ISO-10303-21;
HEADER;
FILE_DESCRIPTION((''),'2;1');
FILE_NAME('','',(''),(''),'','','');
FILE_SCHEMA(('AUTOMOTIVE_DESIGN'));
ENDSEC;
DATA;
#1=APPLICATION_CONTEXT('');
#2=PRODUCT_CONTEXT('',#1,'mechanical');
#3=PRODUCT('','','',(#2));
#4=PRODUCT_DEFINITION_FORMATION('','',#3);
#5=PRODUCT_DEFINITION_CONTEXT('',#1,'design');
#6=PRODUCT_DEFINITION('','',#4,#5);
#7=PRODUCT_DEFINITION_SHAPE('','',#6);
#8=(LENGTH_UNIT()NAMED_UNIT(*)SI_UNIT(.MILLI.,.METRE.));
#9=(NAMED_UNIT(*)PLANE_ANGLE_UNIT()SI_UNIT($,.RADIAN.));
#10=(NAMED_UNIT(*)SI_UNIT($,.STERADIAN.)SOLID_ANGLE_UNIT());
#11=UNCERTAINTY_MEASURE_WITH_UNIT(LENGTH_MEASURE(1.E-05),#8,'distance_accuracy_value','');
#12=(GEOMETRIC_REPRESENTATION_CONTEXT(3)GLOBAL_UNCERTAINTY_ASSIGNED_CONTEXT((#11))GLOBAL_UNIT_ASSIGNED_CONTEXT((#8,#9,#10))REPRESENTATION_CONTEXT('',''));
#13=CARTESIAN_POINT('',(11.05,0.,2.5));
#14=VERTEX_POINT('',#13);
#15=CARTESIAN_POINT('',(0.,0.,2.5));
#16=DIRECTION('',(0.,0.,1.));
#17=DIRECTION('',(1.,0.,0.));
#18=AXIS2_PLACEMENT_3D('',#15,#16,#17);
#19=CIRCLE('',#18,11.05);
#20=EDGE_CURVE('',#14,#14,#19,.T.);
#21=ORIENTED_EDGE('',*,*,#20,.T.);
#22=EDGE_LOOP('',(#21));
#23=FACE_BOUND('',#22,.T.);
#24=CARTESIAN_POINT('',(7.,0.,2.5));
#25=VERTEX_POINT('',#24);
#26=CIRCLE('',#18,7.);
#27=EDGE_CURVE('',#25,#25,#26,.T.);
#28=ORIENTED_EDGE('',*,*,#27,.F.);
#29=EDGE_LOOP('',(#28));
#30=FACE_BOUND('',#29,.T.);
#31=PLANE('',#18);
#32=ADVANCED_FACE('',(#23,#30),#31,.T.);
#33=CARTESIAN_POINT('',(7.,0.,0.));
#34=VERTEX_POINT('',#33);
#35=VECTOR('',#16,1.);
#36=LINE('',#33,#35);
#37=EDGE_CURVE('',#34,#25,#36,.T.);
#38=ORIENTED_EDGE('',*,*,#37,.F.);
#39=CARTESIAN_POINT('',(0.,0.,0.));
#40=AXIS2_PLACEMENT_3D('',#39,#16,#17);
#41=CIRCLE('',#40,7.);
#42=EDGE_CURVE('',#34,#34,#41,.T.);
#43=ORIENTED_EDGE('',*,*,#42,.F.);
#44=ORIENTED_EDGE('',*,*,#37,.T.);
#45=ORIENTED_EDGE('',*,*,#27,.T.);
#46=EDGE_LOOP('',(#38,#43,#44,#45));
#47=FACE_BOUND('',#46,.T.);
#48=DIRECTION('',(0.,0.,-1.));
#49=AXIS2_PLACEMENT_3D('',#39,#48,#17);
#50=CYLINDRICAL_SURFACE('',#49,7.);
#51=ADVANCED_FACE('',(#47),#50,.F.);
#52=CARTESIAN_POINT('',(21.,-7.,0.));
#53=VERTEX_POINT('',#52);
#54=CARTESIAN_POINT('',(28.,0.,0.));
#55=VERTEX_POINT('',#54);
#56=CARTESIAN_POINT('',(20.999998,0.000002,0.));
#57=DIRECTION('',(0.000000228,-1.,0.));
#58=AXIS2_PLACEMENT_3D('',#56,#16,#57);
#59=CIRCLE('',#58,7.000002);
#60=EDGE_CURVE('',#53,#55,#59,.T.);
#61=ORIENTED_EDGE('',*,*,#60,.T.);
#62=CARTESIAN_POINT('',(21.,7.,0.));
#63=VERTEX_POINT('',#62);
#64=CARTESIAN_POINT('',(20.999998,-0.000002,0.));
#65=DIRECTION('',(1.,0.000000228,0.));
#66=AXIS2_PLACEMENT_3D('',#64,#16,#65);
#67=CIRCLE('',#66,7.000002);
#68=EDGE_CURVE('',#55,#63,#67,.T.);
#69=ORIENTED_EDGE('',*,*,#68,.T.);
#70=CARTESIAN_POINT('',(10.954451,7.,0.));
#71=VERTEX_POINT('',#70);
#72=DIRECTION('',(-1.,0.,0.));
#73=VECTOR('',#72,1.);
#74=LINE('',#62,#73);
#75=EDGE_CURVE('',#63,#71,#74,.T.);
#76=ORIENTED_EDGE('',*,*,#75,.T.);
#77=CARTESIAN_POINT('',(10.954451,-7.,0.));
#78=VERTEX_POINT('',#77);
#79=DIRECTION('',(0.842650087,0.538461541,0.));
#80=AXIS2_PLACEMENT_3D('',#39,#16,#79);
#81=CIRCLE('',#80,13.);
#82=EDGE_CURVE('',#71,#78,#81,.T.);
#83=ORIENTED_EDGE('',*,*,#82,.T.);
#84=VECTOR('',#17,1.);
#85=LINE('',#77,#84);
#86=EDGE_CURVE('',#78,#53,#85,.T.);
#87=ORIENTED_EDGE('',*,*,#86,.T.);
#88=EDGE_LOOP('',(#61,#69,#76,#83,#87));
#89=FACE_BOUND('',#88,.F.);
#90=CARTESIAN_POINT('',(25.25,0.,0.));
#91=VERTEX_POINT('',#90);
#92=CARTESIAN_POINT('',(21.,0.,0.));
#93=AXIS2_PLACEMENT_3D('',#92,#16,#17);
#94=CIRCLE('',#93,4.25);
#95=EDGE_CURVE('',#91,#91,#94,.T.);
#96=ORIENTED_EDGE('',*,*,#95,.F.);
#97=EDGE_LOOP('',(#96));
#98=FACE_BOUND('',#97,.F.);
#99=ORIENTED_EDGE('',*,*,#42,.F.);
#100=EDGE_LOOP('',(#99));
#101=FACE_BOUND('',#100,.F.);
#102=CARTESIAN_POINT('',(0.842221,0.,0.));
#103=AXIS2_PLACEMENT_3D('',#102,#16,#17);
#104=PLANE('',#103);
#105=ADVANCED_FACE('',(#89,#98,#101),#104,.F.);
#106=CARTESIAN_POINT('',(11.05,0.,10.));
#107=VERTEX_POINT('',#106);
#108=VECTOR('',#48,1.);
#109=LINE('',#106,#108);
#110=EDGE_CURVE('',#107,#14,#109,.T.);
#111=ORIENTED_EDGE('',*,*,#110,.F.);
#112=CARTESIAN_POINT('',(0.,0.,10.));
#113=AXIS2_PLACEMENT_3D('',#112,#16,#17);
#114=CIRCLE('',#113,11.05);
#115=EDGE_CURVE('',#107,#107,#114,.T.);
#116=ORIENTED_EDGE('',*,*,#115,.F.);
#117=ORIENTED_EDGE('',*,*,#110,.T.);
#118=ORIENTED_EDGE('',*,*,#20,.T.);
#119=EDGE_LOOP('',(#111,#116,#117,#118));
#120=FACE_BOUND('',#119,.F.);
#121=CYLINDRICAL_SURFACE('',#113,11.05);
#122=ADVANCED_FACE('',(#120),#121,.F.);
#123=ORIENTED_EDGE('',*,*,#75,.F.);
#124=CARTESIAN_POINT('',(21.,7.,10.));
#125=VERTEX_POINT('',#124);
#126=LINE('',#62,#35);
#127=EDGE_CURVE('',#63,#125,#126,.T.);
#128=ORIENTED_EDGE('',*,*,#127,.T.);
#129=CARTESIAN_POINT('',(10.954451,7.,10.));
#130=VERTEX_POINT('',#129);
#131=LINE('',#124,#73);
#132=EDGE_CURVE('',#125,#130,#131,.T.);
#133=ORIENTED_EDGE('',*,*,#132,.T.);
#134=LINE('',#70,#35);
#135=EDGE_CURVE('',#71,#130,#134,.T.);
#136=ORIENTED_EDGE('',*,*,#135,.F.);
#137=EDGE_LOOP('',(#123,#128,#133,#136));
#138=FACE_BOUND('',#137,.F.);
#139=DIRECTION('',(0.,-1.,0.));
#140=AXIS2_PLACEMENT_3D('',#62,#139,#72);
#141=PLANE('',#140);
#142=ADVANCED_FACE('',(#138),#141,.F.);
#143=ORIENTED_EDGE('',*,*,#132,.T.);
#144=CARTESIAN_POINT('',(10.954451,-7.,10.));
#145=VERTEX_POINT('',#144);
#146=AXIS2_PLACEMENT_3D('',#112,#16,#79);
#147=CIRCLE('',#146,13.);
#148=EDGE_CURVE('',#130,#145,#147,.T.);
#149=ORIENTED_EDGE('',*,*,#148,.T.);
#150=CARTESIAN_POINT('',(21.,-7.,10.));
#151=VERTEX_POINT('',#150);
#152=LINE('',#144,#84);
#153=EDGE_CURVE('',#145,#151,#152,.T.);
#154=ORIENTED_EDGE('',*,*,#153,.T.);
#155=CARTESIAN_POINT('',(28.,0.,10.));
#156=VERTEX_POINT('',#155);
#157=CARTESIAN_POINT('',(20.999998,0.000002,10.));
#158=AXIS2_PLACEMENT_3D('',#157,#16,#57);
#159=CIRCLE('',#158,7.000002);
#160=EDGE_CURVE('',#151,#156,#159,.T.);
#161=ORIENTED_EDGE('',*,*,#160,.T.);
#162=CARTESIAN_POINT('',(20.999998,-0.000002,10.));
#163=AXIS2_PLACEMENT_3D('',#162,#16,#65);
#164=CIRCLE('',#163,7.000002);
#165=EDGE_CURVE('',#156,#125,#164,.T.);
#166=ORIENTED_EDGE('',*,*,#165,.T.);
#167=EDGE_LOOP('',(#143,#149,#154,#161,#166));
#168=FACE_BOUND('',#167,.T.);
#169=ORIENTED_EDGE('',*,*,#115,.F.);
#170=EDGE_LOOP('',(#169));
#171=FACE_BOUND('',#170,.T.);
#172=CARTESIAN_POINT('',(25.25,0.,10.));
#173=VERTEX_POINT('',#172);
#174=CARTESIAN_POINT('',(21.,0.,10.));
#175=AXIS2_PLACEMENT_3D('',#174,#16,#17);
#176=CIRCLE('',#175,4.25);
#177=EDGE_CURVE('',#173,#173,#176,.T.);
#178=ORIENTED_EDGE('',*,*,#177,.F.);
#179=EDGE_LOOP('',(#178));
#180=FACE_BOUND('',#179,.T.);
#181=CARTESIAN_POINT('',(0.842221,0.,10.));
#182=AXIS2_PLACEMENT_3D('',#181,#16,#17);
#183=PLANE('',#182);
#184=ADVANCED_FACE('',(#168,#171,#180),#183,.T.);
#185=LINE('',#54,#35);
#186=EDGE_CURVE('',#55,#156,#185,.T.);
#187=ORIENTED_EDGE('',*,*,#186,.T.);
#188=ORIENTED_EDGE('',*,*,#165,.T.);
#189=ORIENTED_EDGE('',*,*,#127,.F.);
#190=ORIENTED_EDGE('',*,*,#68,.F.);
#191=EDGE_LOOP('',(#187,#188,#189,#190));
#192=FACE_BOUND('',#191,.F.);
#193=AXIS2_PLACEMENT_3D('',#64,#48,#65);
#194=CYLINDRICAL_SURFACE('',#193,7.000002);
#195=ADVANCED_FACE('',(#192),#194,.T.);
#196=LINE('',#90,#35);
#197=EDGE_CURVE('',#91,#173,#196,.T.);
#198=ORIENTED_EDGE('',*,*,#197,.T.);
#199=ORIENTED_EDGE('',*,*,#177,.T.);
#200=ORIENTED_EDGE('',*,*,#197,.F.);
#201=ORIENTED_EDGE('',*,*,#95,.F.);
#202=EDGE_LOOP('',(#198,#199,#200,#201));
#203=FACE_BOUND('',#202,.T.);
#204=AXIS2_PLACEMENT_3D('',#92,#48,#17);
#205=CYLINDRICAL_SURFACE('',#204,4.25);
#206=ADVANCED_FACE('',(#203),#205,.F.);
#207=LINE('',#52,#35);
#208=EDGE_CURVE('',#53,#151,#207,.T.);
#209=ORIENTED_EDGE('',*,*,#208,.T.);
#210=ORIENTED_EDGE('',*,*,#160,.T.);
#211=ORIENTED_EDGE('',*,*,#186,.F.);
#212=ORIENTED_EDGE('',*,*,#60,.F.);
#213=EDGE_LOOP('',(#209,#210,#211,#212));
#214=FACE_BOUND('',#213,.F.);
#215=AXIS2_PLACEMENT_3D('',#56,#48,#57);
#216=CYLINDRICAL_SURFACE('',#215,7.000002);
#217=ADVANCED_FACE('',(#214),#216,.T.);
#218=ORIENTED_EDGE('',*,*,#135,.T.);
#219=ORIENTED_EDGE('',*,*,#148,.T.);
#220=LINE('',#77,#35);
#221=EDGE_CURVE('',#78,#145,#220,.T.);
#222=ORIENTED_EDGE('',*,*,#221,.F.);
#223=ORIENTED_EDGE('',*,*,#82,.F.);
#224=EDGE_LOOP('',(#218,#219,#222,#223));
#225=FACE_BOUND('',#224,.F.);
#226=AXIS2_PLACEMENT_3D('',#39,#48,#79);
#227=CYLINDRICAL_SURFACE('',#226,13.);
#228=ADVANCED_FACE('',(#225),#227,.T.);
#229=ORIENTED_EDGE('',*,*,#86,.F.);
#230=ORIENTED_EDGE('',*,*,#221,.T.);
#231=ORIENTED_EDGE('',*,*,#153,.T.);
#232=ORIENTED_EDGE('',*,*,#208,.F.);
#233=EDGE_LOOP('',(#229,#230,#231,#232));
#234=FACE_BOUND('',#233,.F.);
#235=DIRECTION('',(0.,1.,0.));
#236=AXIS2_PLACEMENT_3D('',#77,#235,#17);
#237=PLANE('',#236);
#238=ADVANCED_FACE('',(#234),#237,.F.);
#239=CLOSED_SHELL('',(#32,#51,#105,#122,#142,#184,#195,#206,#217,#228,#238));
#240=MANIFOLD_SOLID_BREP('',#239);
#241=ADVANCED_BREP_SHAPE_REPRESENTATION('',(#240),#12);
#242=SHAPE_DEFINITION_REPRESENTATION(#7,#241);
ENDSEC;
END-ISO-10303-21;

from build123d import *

# Parameters (mm, degrees)
F0_R     = 7
F0_R_2   = 4.25
F1_DEPTH = 10
F2_R     = 11.05
F2_R_2   = 7
F3_DEPTH = 7.5


with BuildPart() as f1:
    # F0 (on Top) → F1 (new body)
    with BuildSketch(Plane.XY):
        with BuildLine():
            ThreePointArc((10.954451, -7), (12.478138, -3.646377), (13, 0))
            ThreePointArc((13, 0), (12.478138, 3.646377), (10.954451, 7))
            ThreePointArc((10.954451, 7), (-13, 0), (10.954451, -7))
        make_face()
        Circle(F0_R, mode=Mode.SUBTRACT)
        with BuildLine():
            ThreePointArc((10.954451, 7), (12.478138, 3.646377), (13, 0))
            ThreePointArc((13, 0), (12.478138, -3.646377), (10.954451, -7))
            Line((10.954451, -7), (21, -7))
            ThreePointArc((21, -7), (14, 0), (21, 7))
            Line((21, 7), (10.954451, 7))
        make_face()
        with BuildLine():
            ThreePointArc((28, 0), (25.949747, 4.949747), (21, 7))
            ThreePointArc((21, 7), (14, 0), (21, -7))
            ThreePointArc((21, -7), (25.949747, -4.949747), (28, 0))
        make_face()
        with Locations((21, 0)):
            Circle(F0_R_2, mode=Mode.SUBTRACT)
    extrude(amount=F1_DEPTH)

    # F2 (on face) → F3 (cut)
    with BuildSketch(Plane.XY.offset(10)):
        Circle(F2_R)
        Circle(F2_R_2, mode=Mode.SUBTRACT)
    extrude(amount=-F3_DEPTH, mode=Mode.SUBTRACT)


solid = f1.part
